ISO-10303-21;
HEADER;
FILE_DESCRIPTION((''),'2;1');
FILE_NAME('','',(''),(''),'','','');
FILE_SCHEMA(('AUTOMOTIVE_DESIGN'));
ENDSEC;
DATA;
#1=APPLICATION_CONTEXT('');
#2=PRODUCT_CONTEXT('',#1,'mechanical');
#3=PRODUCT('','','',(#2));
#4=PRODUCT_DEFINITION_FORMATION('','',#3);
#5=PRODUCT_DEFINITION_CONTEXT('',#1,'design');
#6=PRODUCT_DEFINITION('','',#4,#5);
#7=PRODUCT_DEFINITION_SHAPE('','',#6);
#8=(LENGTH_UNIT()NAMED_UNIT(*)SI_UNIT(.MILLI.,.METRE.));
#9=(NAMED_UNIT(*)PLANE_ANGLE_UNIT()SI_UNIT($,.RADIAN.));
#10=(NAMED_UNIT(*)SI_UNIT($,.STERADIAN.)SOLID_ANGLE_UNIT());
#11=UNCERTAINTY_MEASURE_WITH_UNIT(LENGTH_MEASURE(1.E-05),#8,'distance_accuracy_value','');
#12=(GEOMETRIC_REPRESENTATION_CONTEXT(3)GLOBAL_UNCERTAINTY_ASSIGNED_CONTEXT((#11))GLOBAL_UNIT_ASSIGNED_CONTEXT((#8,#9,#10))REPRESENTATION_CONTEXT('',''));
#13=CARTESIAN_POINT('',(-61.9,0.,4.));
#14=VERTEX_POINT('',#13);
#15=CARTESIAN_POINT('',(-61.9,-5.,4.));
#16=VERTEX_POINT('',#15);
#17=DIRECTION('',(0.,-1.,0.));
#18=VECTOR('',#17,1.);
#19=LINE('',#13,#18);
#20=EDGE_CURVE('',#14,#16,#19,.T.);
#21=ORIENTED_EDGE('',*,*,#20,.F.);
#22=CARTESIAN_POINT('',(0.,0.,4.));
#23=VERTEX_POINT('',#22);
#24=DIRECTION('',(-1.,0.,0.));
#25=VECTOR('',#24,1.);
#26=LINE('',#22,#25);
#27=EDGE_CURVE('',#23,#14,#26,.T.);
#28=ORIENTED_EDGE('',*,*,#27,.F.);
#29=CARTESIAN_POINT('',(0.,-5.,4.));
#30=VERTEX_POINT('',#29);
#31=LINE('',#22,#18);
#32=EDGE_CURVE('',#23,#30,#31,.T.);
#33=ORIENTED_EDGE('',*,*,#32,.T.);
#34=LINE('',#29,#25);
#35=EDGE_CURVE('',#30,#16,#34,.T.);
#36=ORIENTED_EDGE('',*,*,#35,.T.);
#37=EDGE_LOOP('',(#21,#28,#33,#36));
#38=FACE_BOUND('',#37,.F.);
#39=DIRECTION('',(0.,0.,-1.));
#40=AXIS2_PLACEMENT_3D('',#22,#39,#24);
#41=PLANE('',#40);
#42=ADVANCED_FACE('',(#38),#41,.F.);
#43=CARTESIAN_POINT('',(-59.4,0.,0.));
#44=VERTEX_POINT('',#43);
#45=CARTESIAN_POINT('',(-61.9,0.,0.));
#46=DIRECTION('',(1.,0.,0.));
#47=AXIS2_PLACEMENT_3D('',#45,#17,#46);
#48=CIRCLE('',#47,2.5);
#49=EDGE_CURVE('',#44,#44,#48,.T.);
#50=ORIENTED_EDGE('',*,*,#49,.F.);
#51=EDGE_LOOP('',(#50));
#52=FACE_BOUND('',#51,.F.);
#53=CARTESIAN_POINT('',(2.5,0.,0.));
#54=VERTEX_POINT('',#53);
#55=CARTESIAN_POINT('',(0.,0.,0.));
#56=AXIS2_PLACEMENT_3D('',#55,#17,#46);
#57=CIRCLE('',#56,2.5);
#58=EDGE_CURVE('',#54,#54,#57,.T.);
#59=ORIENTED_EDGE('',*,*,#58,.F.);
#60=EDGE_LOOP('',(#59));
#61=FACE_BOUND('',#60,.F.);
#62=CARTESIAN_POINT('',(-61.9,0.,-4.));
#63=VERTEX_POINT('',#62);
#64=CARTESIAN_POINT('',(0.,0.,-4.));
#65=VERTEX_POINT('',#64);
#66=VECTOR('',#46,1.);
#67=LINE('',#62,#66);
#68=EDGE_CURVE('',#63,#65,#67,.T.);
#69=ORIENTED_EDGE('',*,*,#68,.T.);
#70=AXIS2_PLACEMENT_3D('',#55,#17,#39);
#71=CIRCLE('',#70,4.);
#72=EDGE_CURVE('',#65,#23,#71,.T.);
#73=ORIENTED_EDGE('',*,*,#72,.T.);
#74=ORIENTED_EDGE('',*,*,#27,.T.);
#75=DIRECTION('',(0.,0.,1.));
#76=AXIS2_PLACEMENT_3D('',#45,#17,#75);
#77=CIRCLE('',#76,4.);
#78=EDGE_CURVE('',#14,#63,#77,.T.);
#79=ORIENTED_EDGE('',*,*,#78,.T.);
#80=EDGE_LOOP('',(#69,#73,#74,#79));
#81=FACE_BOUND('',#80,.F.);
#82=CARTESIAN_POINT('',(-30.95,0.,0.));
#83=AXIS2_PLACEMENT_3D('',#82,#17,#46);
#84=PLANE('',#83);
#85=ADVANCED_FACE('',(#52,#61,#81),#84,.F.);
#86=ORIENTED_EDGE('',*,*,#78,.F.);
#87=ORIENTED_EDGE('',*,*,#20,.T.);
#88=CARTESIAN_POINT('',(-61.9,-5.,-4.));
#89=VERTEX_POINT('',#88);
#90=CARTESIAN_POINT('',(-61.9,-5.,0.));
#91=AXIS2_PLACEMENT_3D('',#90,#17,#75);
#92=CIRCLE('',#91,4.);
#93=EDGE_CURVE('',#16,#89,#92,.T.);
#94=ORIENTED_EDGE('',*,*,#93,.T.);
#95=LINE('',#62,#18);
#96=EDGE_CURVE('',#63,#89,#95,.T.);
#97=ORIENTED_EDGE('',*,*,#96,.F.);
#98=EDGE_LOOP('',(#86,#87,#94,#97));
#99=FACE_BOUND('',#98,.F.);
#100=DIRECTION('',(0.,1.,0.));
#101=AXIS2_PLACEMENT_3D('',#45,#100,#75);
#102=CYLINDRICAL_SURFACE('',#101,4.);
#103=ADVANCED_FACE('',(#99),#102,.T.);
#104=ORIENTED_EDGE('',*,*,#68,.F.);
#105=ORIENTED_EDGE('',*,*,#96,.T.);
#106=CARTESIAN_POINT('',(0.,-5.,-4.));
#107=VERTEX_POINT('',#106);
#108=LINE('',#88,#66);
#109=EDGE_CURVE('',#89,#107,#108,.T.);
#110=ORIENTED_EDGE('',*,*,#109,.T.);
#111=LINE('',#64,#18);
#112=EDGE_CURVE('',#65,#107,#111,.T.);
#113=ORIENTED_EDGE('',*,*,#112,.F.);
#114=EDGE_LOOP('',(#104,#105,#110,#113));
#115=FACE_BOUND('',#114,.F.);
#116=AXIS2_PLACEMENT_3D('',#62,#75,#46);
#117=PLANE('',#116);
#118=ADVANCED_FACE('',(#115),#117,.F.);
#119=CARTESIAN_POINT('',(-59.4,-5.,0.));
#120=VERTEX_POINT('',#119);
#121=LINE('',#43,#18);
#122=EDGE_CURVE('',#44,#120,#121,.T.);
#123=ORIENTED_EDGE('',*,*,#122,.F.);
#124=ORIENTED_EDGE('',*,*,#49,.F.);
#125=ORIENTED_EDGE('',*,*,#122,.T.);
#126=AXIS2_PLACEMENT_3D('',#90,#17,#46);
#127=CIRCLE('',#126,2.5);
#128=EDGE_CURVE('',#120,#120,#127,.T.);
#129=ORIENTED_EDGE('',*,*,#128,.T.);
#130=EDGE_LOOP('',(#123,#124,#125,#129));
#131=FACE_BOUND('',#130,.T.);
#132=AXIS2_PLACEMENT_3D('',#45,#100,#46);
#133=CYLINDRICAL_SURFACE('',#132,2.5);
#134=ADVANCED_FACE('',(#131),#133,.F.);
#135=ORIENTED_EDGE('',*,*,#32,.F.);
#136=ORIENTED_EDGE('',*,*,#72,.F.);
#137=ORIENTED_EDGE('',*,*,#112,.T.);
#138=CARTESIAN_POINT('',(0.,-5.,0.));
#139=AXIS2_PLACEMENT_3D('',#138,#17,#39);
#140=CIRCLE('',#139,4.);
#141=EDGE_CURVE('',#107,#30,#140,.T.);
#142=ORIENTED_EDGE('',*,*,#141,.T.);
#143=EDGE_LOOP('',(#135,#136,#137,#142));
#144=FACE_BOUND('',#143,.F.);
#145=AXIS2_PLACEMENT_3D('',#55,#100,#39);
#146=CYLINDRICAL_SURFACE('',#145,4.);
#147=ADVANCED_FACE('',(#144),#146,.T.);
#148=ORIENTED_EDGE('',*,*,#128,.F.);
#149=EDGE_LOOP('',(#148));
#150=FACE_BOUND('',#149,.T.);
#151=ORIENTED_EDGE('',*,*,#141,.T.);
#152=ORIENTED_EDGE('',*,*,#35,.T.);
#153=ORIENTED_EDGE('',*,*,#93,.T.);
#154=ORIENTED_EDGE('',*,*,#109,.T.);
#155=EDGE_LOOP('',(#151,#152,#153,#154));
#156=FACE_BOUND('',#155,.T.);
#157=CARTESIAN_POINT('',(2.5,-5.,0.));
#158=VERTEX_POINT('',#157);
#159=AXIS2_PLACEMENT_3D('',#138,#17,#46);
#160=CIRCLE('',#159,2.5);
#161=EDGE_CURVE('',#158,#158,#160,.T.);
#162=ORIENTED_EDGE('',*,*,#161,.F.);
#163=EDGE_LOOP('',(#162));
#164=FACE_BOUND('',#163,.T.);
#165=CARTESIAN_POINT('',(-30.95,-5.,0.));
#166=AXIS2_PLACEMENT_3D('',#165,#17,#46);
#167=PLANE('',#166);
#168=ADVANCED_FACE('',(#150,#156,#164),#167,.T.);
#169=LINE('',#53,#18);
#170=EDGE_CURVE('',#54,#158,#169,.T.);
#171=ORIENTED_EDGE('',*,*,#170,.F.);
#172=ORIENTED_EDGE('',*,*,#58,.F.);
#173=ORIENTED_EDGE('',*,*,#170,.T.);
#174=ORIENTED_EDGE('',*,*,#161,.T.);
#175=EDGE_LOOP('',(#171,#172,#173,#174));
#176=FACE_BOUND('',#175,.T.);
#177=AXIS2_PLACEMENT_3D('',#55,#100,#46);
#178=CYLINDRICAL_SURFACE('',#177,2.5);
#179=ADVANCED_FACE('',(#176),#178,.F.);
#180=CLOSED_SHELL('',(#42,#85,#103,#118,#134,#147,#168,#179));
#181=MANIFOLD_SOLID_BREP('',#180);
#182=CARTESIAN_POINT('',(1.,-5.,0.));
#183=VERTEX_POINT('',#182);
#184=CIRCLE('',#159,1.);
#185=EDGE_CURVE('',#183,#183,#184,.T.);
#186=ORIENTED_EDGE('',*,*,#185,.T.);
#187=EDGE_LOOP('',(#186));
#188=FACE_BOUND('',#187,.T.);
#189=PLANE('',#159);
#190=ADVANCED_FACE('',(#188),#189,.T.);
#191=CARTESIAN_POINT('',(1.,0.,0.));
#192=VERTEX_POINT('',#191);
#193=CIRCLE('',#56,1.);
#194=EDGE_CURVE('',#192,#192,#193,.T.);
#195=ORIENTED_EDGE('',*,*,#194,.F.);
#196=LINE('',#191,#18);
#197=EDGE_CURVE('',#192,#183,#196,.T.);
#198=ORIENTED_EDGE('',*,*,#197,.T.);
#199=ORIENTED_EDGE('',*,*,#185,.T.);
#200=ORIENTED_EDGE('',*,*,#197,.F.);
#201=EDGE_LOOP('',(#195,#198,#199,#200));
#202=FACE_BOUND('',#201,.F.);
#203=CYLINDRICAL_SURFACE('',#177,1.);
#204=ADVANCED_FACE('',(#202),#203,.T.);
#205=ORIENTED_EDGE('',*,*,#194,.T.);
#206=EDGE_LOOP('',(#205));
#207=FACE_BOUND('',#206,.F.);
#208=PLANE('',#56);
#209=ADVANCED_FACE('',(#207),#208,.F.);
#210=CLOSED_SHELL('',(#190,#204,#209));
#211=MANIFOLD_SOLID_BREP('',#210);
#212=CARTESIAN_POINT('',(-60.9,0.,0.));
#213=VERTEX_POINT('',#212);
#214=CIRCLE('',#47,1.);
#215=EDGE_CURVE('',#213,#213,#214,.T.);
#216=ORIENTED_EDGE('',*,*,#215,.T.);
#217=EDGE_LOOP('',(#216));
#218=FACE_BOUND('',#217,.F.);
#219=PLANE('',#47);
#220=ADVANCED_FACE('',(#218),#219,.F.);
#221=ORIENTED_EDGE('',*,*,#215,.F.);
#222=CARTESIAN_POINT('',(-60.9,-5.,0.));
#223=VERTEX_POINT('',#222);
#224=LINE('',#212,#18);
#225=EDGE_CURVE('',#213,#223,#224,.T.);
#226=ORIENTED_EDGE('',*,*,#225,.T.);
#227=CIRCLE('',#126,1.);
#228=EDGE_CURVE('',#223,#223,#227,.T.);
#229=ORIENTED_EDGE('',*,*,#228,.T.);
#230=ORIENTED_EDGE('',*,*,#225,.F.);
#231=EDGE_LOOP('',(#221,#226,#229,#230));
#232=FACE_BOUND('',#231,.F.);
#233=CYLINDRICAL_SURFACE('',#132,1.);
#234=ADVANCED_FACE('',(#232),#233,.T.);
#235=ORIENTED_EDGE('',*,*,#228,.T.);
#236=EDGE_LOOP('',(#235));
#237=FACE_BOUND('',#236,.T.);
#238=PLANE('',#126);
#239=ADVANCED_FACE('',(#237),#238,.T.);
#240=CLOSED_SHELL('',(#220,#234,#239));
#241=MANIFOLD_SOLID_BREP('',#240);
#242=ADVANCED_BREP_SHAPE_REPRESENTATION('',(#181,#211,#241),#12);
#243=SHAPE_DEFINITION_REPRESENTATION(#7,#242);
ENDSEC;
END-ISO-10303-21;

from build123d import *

# Parameters (mm, degrees)
F0_R     = 2.5
F0_R_2   = 1
F1_DEPTH = 5


with BuildPart() as f1:
    # F0 (on Front) → F1 (new body)
    with BuildSketch(Plane.XZ):
        with BuildLine():
            Line((-61.9, -4), (0, -4))
            ThreePointArc((0, -4), (4, 0), (0, 4))
            Line((0, 4), (-61.9, 4))
            ThreePointArc((-61.9, 4), (-65.9, 0), (-61.9, -4))
        make_face()
        with Locations((-61.9, 0)):
            Circle(F0_R, mode=Mode.SUBTRACT)
        Circle(F0_R, mode=Mode.SUBTRACT)
        with Locations((-61.9, 0)):
            Circle(F0_R_2)
        Circle(F0_R_2)
    extrude(amount=F1_DEPTH)


solid = f1.part
